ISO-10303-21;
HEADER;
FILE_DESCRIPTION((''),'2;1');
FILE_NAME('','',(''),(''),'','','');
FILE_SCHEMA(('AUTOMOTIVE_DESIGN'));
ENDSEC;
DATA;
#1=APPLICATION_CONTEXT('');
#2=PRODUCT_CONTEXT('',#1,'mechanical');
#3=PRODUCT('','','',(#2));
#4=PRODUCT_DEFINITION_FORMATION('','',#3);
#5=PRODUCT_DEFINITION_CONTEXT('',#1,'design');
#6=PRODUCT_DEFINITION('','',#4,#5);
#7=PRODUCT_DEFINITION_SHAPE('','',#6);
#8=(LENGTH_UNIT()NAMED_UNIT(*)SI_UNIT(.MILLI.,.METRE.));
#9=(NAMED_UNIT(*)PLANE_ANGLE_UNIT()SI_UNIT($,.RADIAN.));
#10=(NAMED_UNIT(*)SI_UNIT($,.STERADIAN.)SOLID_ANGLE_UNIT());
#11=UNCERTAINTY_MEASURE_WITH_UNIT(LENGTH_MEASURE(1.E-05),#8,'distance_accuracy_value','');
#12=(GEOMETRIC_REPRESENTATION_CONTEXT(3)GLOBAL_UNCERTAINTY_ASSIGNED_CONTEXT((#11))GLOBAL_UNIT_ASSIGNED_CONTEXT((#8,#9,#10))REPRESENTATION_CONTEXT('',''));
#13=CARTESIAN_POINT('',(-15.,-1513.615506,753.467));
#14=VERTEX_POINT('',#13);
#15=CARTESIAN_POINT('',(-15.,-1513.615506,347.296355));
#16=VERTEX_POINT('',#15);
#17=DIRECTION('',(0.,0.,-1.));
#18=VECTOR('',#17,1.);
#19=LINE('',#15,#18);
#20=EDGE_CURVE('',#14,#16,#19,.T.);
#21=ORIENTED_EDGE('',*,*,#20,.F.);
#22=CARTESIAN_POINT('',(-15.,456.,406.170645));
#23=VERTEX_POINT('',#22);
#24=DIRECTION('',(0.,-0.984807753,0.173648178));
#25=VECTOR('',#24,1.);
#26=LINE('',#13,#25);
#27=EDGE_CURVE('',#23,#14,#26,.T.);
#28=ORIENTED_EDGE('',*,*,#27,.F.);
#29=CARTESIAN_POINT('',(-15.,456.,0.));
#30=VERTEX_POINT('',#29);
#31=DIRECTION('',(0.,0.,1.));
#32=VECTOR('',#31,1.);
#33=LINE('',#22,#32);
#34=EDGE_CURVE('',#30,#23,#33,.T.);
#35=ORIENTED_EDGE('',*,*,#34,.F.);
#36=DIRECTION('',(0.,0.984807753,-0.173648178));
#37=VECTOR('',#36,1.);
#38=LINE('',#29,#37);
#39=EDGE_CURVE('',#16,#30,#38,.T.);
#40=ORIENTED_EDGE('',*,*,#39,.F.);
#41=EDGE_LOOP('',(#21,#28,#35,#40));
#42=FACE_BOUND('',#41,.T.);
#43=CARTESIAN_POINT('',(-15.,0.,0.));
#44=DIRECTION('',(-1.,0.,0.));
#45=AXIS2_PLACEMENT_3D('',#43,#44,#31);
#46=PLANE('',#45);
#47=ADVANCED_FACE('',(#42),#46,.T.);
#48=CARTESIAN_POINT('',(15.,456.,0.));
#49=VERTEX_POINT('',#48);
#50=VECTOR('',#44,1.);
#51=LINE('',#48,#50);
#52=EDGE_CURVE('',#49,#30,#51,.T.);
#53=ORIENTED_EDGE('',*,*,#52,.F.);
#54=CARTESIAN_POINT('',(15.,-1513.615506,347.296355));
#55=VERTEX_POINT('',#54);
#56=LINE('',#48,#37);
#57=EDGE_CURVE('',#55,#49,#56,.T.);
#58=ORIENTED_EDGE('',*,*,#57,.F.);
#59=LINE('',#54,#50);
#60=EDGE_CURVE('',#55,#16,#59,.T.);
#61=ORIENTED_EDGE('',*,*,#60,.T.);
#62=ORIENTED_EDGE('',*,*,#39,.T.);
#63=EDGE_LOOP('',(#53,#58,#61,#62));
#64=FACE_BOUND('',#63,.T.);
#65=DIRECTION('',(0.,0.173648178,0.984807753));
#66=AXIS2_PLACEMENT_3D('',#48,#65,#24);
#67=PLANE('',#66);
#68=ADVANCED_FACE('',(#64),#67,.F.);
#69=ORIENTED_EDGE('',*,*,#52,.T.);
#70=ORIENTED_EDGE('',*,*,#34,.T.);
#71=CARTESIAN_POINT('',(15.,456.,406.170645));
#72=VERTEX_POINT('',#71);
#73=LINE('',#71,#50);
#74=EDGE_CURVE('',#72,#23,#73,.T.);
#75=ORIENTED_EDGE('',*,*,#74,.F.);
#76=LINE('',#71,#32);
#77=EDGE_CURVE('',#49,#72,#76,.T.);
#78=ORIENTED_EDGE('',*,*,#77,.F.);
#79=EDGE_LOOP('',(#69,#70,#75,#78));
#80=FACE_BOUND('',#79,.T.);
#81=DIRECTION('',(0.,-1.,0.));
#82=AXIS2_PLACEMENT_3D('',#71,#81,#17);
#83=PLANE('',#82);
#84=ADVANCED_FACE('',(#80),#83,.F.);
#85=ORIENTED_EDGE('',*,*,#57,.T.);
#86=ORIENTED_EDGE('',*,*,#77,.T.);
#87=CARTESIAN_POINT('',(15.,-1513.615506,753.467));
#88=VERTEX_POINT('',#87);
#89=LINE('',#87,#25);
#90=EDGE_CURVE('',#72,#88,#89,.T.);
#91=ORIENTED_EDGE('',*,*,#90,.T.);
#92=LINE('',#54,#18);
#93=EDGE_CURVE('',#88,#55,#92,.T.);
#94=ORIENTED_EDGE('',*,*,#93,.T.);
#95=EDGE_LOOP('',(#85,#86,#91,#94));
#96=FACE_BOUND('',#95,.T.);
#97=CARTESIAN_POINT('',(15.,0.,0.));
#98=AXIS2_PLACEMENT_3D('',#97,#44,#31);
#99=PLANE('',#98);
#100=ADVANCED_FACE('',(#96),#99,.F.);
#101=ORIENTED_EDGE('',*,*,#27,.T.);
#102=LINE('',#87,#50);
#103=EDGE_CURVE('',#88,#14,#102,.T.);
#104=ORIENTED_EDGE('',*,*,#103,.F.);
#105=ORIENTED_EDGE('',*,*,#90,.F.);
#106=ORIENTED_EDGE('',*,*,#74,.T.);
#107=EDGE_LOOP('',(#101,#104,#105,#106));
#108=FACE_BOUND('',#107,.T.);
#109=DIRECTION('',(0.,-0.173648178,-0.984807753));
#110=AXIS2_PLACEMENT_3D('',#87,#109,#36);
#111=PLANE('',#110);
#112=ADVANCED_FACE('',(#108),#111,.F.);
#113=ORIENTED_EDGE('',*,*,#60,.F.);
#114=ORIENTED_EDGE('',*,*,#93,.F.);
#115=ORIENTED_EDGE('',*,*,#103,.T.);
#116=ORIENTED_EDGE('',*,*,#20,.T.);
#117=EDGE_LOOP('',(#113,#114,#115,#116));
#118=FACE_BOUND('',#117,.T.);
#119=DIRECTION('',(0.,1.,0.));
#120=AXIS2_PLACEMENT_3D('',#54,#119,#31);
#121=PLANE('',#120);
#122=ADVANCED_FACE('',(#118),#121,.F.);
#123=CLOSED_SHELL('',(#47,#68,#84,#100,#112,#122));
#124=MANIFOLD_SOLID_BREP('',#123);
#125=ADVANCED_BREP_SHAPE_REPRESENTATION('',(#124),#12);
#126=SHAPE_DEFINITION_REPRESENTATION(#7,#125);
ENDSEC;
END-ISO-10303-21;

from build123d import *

# Parameters (mm, degrees)
BOSS_EXTRUDE1_DEPTH = 15


with BuildPart() as part:
    # Sketch1 → Boss-Extrude1 (new body, symmetric)
    with BuildSketch(Plane(origin=(0, 0, 0), x_dir=(0, 0, -1), z_dir=(1, 0, 0))):
        Polygon((0, 456), (-347.296355334, -1513.615506024), (-753.467000088, -1513.615506024), (-406.170644754, 456), align=None)
    extrude(amount=BOSS_EXTRUDE1_DEPTH, both=True)


solid = part.part
